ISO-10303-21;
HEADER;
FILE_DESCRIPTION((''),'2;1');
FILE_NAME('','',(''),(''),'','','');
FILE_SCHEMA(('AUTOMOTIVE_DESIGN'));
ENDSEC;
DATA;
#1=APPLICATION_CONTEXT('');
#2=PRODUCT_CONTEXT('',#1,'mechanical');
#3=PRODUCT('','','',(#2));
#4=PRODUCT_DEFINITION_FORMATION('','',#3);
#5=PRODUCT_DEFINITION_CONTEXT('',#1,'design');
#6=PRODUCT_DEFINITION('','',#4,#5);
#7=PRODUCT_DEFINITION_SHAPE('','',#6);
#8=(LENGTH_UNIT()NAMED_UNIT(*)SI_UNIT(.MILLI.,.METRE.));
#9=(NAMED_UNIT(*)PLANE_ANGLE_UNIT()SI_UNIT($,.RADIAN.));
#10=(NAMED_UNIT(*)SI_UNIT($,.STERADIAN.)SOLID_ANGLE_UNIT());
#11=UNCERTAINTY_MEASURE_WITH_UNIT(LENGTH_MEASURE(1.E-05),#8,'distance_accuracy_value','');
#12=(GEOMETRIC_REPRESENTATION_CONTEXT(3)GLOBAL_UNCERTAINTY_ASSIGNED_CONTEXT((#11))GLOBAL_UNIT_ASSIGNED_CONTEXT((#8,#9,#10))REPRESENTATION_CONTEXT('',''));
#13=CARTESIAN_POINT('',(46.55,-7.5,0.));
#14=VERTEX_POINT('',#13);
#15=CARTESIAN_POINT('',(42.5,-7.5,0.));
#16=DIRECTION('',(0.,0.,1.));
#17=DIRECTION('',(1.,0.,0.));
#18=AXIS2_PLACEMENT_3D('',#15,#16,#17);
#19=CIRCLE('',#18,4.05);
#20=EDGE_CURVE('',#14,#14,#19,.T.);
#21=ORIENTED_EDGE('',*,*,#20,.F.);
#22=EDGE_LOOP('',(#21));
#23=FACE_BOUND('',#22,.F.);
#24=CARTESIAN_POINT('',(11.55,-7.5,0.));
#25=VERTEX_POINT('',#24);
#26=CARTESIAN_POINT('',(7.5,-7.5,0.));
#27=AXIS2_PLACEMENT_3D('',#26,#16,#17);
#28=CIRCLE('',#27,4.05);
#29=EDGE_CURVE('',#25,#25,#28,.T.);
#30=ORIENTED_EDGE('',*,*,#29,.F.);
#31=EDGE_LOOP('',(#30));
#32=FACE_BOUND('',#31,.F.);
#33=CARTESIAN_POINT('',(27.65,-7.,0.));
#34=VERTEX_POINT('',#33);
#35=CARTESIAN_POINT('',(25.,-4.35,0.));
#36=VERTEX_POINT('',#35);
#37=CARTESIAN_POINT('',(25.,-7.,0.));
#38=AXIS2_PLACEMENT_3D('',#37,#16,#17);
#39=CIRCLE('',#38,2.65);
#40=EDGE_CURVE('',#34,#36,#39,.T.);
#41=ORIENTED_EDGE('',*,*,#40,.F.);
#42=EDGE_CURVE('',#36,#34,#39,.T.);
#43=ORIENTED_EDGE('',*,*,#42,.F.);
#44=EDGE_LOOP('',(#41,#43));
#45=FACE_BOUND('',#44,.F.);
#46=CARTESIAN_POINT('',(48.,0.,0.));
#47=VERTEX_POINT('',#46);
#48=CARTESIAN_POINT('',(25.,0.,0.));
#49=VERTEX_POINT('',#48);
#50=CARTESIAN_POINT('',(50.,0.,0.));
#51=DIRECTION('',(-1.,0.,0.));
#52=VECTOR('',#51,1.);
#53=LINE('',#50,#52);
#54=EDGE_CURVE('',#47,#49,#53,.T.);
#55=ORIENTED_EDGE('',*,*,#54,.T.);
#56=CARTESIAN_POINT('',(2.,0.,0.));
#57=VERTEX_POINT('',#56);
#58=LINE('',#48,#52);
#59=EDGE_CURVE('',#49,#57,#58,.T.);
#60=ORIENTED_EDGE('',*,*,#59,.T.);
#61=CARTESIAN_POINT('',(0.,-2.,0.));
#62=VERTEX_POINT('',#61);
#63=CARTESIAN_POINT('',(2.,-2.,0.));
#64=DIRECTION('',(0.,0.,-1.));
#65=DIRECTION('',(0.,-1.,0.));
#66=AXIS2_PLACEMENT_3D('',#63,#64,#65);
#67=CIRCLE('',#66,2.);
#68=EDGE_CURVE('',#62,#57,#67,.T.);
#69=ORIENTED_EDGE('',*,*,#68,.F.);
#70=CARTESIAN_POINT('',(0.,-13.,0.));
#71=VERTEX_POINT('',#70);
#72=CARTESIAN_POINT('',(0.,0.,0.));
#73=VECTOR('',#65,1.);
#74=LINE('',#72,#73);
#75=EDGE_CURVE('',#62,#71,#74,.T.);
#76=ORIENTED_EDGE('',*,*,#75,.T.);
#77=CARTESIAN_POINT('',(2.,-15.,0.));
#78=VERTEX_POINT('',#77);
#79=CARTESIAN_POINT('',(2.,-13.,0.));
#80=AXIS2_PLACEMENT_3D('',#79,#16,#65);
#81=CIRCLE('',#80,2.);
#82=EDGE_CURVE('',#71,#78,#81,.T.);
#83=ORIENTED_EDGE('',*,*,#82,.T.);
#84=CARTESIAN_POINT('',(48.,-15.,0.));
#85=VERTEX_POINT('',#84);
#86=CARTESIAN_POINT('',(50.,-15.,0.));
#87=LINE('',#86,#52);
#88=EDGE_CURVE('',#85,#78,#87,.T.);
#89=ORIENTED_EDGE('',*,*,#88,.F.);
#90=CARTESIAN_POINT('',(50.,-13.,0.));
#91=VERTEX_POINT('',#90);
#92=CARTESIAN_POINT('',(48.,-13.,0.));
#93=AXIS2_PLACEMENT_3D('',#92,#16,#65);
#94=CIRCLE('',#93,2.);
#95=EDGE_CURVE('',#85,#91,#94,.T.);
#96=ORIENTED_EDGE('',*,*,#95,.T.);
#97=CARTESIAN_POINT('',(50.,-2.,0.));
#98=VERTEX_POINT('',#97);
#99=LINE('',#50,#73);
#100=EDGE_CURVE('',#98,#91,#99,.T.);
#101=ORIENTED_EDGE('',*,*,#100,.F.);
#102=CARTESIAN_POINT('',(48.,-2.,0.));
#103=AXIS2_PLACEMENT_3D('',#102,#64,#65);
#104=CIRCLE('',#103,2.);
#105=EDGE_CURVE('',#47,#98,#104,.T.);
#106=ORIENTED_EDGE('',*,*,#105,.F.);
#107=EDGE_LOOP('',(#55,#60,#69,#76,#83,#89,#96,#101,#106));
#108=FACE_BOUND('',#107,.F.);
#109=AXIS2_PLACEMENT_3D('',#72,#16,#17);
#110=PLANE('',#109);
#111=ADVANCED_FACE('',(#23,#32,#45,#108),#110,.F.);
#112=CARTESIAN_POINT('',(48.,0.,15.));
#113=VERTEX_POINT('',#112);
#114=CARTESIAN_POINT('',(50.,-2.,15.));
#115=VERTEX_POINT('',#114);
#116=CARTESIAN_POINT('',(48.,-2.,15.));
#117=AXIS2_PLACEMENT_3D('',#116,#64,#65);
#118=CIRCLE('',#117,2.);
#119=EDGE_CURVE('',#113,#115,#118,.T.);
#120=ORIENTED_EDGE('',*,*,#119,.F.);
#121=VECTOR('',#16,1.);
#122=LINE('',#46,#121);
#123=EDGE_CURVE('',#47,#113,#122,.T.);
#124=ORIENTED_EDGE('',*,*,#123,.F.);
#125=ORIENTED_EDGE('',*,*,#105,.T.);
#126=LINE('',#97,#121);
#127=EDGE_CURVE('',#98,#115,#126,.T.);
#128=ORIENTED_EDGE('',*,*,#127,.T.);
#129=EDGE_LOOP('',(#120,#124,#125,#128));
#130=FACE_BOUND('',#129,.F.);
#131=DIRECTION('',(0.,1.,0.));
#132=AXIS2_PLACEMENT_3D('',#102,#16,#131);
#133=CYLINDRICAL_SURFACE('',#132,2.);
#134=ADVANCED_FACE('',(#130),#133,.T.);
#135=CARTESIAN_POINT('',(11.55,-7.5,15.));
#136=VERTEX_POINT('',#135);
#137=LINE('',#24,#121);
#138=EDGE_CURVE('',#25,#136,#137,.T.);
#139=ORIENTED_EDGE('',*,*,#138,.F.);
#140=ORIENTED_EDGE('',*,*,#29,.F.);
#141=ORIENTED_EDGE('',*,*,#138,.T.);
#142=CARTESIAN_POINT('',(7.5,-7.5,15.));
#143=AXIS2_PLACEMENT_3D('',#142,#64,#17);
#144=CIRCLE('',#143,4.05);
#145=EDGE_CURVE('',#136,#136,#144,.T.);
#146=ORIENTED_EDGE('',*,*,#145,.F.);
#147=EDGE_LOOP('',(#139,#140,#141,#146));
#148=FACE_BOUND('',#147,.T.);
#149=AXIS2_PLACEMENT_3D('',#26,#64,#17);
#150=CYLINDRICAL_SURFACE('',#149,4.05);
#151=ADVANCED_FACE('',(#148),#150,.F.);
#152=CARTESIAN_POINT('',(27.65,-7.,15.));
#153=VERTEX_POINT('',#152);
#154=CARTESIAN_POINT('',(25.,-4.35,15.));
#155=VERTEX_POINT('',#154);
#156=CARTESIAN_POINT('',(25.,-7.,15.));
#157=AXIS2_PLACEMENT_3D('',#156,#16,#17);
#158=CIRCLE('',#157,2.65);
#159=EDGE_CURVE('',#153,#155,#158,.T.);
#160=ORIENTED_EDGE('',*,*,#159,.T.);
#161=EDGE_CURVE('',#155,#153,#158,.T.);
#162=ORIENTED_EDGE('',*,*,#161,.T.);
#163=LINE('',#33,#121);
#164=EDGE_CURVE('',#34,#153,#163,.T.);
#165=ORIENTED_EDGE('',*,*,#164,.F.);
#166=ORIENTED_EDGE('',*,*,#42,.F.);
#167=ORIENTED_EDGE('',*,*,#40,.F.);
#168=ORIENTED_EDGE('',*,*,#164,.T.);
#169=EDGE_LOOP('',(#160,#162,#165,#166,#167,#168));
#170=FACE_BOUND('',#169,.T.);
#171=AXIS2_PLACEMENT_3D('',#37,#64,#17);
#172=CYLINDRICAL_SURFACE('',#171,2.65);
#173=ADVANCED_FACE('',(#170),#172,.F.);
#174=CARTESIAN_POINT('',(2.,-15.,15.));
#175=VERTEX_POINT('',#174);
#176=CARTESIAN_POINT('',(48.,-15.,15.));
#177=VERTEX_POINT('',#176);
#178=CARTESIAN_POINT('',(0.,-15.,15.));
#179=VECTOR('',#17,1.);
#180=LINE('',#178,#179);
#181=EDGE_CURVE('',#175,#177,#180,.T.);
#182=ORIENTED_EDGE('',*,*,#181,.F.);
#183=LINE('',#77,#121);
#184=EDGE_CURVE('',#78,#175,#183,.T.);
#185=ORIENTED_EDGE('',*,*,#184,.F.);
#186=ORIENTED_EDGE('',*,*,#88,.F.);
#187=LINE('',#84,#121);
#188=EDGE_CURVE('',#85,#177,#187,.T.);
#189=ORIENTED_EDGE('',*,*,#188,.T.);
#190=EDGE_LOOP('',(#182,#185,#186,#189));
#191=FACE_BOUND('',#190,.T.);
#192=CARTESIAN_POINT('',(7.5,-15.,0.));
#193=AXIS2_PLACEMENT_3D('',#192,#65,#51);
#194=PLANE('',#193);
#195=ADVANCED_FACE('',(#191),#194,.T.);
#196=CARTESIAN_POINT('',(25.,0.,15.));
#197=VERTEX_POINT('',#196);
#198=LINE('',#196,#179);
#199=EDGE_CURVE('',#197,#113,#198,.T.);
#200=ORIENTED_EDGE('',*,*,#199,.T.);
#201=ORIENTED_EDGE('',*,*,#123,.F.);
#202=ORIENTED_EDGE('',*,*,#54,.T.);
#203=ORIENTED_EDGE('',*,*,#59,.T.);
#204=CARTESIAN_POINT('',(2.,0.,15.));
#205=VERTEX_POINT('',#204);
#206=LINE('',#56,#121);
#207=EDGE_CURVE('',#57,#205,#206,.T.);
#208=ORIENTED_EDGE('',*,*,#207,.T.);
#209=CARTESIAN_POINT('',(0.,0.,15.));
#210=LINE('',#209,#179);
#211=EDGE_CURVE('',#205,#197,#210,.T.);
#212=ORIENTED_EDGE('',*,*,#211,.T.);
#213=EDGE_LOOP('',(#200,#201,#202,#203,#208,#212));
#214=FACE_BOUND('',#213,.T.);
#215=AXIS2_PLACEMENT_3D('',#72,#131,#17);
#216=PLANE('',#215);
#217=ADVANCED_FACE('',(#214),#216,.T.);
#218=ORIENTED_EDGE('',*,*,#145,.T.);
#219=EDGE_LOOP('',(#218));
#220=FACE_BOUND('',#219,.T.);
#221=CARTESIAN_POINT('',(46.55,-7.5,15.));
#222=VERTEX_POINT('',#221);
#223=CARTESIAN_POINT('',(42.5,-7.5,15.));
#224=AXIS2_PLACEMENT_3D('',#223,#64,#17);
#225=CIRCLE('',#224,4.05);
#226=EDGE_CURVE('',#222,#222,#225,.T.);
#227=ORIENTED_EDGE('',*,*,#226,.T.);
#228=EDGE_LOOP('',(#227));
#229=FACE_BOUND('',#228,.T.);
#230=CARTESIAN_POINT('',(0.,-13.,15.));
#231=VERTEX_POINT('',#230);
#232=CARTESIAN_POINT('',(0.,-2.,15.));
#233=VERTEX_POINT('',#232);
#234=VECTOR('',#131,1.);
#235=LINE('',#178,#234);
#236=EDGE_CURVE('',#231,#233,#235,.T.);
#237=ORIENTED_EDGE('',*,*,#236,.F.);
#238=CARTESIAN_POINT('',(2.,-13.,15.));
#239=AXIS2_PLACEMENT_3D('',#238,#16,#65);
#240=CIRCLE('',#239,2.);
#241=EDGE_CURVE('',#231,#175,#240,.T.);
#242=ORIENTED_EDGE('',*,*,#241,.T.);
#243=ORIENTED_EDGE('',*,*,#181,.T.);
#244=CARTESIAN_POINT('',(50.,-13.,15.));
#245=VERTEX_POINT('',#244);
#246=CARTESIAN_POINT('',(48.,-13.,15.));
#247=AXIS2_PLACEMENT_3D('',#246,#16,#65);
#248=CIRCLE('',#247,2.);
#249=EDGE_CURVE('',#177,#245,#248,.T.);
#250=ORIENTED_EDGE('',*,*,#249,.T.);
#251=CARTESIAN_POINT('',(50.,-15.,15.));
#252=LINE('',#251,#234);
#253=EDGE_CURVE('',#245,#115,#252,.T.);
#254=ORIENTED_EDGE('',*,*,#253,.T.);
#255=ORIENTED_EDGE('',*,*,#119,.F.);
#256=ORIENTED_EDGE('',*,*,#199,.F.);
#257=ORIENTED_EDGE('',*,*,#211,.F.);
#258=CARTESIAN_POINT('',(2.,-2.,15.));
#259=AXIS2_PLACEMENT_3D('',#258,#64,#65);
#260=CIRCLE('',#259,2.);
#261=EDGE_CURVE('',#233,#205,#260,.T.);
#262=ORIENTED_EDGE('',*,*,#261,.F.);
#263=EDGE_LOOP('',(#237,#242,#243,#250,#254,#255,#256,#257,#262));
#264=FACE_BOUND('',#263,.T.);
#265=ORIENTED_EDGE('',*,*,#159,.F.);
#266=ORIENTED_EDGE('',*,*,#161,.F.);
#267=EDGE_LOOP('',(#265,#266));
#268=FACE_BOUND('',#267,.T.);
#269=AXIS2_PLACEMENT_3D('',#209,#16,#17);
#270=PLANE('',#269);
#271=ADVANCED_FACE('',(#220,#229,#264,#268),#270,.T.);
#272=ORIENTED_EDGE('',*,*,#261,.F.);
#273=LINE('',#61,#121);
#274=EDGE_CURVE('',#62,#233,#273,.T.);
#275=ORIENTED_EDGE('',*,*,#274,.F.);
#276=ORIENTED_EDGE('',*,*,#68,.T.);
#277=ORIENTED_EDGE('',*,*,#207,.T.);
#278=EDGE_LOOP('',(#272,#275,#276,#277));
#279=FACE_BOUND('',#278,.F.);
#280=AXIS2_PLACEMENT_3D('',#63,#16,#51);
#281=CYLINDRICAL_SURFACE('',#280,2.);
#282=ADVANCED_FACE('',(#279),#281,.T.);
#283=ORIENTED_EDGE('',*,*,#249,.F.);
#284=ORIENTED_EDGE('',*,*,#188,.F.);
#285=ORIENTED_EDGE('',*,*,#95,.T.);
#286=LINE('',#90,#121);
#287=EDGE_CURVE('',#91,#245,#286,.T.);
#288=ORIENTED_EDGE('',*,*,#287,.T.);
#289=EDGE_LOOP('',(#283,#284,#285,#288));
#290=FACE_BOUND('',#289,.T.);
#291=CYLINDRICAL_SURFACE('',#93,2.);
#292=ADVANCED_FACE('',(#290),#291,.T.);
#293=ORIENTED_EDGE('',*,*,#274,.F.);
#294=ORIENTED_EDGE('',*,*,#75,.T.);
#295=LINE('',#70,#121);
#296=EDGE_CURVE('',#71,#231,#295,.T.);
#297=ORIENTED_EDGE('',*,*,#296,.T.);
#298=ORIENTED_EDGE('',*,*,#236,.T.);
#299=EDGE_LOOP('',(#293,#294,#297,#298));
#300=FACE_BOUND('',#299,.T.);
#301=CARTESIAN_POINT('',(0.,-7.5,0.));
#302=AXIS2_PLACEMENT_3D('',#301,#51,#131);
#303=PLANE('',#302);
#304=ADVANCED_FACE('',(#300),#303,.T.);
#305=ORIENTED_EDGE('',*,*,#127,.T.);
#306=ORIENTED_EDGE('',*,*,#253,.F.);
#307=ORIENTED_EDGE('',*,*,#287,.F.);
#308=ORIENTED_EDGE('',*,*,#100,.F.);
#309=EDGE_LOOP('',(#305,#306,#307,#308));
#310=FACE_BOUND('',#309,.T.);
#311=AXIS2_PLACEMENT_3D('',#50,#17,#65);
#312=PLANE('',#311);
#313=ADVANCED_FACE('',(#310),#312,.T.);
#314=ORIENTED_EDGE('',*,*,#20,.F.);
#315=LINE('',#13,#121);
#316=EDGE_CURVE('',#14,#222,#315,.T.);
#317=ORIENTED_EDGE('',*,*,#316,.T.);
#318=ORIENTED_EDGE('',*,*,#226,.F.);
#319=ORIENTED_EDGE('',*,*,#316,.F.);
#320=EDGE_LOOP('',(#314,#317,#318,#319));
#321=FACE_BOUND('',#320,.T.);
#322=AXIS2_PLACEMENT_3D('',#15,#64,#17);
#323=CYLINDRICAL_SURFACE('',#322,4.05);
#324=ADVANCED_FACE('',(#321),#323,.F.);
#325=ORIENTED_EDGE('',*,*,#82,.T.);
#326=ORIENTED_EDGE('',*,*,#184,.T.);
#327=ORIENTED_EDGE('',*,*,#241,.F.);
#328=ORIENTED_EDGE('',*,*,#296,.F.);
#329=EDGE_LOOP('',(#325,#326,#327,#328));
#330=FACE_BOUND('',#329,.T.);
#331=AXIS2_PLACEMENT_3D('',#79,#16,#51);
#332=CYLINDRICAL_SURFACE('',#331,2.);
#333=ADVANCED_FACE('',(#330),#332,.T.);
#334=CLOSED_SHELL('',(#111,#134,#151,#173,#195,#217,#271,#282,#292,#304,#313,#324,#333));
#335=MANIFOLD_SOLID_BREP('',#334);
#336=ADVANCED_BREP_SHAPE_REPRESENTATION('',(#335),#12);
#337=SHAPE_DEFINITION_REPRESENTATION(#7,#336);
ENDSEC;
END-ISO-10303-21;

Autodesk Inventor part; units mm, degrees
ref_plane "YZ Plane" through (0, 0, 0) normal (1, 0, 0) x (0, 1, 0)
ref_plane "XZ Plane" through (0, 0, 0) normal (0, 1, 0) x (-1, 0, 0)
ref_plane "XY Plane" through (0, 0, 0) normal (0, 0, 1) x (1, 0, 0)
sketch "Sketch1" plane through (0, 0, 0) normal (0, 0, 1) x (1, 0, 0)
  line L0 (0, 0) -> (50, 0)
  line L1 (50, 0) -> (50, -15)
  line L2 (50, -15) -> (0, -15)
  line L3 (0, -15) -> (0, 0)
  line L4 (0, 0) -> (15, -15)
  line L5 (0, 0) -> (21.2132, 0) construction
  circle A0 centre (7.5, -7.5) radius 4.05
  line L6 (50, 0) -> (35, -15)
  circle A1 centre (42.5, -7.5) radius 4.05
  circle A2 centre (25, -7) radius 2.65
  circle A3 centre (7.5, -7.5) radius 7.5
  circle A4 centre (42.5, -7.5) radius 7.5
  line L7 (25, -7) -> (25, 0)
  point P0 (0, 0)
  dimension "d0" = 50
  dimension "d1" = 15
  dimension "d2" = 45
  dimension "d3" = 8.1
  dimension "d4" = 8.1
  dimension "d5" = 45
  dimension "d9" = 0
  dimension "d13" = 0
  dimension "d14" = 5.3
  dimension "d18" = 7
  dimension "d19" = 25
  dimension "d20" = 0
extrude "Extrusion1" add sketch "Sketch1" along normal blind 15 contours L4 A3 L3 | L0 A3 L4 | L0 A4 L6 L2 L4 A3 | A3 L4 A0 | A3 L2 L3 | A3 L4 A0 | A3 L4 L2 | L0 L6 A4 | A4 L6 A1 | L1 A4 L6 | A4 L6 A1 | A4 L2 L6 | L1 L2 A4
fillet "Fillet1" radius 2 4 edges at (50, -15, 7.5) (50, 0, 7.5) (0, -15, 7.5) (0, 0, 7.5)
properties part number "Support_Seperator(Middle rod)"
